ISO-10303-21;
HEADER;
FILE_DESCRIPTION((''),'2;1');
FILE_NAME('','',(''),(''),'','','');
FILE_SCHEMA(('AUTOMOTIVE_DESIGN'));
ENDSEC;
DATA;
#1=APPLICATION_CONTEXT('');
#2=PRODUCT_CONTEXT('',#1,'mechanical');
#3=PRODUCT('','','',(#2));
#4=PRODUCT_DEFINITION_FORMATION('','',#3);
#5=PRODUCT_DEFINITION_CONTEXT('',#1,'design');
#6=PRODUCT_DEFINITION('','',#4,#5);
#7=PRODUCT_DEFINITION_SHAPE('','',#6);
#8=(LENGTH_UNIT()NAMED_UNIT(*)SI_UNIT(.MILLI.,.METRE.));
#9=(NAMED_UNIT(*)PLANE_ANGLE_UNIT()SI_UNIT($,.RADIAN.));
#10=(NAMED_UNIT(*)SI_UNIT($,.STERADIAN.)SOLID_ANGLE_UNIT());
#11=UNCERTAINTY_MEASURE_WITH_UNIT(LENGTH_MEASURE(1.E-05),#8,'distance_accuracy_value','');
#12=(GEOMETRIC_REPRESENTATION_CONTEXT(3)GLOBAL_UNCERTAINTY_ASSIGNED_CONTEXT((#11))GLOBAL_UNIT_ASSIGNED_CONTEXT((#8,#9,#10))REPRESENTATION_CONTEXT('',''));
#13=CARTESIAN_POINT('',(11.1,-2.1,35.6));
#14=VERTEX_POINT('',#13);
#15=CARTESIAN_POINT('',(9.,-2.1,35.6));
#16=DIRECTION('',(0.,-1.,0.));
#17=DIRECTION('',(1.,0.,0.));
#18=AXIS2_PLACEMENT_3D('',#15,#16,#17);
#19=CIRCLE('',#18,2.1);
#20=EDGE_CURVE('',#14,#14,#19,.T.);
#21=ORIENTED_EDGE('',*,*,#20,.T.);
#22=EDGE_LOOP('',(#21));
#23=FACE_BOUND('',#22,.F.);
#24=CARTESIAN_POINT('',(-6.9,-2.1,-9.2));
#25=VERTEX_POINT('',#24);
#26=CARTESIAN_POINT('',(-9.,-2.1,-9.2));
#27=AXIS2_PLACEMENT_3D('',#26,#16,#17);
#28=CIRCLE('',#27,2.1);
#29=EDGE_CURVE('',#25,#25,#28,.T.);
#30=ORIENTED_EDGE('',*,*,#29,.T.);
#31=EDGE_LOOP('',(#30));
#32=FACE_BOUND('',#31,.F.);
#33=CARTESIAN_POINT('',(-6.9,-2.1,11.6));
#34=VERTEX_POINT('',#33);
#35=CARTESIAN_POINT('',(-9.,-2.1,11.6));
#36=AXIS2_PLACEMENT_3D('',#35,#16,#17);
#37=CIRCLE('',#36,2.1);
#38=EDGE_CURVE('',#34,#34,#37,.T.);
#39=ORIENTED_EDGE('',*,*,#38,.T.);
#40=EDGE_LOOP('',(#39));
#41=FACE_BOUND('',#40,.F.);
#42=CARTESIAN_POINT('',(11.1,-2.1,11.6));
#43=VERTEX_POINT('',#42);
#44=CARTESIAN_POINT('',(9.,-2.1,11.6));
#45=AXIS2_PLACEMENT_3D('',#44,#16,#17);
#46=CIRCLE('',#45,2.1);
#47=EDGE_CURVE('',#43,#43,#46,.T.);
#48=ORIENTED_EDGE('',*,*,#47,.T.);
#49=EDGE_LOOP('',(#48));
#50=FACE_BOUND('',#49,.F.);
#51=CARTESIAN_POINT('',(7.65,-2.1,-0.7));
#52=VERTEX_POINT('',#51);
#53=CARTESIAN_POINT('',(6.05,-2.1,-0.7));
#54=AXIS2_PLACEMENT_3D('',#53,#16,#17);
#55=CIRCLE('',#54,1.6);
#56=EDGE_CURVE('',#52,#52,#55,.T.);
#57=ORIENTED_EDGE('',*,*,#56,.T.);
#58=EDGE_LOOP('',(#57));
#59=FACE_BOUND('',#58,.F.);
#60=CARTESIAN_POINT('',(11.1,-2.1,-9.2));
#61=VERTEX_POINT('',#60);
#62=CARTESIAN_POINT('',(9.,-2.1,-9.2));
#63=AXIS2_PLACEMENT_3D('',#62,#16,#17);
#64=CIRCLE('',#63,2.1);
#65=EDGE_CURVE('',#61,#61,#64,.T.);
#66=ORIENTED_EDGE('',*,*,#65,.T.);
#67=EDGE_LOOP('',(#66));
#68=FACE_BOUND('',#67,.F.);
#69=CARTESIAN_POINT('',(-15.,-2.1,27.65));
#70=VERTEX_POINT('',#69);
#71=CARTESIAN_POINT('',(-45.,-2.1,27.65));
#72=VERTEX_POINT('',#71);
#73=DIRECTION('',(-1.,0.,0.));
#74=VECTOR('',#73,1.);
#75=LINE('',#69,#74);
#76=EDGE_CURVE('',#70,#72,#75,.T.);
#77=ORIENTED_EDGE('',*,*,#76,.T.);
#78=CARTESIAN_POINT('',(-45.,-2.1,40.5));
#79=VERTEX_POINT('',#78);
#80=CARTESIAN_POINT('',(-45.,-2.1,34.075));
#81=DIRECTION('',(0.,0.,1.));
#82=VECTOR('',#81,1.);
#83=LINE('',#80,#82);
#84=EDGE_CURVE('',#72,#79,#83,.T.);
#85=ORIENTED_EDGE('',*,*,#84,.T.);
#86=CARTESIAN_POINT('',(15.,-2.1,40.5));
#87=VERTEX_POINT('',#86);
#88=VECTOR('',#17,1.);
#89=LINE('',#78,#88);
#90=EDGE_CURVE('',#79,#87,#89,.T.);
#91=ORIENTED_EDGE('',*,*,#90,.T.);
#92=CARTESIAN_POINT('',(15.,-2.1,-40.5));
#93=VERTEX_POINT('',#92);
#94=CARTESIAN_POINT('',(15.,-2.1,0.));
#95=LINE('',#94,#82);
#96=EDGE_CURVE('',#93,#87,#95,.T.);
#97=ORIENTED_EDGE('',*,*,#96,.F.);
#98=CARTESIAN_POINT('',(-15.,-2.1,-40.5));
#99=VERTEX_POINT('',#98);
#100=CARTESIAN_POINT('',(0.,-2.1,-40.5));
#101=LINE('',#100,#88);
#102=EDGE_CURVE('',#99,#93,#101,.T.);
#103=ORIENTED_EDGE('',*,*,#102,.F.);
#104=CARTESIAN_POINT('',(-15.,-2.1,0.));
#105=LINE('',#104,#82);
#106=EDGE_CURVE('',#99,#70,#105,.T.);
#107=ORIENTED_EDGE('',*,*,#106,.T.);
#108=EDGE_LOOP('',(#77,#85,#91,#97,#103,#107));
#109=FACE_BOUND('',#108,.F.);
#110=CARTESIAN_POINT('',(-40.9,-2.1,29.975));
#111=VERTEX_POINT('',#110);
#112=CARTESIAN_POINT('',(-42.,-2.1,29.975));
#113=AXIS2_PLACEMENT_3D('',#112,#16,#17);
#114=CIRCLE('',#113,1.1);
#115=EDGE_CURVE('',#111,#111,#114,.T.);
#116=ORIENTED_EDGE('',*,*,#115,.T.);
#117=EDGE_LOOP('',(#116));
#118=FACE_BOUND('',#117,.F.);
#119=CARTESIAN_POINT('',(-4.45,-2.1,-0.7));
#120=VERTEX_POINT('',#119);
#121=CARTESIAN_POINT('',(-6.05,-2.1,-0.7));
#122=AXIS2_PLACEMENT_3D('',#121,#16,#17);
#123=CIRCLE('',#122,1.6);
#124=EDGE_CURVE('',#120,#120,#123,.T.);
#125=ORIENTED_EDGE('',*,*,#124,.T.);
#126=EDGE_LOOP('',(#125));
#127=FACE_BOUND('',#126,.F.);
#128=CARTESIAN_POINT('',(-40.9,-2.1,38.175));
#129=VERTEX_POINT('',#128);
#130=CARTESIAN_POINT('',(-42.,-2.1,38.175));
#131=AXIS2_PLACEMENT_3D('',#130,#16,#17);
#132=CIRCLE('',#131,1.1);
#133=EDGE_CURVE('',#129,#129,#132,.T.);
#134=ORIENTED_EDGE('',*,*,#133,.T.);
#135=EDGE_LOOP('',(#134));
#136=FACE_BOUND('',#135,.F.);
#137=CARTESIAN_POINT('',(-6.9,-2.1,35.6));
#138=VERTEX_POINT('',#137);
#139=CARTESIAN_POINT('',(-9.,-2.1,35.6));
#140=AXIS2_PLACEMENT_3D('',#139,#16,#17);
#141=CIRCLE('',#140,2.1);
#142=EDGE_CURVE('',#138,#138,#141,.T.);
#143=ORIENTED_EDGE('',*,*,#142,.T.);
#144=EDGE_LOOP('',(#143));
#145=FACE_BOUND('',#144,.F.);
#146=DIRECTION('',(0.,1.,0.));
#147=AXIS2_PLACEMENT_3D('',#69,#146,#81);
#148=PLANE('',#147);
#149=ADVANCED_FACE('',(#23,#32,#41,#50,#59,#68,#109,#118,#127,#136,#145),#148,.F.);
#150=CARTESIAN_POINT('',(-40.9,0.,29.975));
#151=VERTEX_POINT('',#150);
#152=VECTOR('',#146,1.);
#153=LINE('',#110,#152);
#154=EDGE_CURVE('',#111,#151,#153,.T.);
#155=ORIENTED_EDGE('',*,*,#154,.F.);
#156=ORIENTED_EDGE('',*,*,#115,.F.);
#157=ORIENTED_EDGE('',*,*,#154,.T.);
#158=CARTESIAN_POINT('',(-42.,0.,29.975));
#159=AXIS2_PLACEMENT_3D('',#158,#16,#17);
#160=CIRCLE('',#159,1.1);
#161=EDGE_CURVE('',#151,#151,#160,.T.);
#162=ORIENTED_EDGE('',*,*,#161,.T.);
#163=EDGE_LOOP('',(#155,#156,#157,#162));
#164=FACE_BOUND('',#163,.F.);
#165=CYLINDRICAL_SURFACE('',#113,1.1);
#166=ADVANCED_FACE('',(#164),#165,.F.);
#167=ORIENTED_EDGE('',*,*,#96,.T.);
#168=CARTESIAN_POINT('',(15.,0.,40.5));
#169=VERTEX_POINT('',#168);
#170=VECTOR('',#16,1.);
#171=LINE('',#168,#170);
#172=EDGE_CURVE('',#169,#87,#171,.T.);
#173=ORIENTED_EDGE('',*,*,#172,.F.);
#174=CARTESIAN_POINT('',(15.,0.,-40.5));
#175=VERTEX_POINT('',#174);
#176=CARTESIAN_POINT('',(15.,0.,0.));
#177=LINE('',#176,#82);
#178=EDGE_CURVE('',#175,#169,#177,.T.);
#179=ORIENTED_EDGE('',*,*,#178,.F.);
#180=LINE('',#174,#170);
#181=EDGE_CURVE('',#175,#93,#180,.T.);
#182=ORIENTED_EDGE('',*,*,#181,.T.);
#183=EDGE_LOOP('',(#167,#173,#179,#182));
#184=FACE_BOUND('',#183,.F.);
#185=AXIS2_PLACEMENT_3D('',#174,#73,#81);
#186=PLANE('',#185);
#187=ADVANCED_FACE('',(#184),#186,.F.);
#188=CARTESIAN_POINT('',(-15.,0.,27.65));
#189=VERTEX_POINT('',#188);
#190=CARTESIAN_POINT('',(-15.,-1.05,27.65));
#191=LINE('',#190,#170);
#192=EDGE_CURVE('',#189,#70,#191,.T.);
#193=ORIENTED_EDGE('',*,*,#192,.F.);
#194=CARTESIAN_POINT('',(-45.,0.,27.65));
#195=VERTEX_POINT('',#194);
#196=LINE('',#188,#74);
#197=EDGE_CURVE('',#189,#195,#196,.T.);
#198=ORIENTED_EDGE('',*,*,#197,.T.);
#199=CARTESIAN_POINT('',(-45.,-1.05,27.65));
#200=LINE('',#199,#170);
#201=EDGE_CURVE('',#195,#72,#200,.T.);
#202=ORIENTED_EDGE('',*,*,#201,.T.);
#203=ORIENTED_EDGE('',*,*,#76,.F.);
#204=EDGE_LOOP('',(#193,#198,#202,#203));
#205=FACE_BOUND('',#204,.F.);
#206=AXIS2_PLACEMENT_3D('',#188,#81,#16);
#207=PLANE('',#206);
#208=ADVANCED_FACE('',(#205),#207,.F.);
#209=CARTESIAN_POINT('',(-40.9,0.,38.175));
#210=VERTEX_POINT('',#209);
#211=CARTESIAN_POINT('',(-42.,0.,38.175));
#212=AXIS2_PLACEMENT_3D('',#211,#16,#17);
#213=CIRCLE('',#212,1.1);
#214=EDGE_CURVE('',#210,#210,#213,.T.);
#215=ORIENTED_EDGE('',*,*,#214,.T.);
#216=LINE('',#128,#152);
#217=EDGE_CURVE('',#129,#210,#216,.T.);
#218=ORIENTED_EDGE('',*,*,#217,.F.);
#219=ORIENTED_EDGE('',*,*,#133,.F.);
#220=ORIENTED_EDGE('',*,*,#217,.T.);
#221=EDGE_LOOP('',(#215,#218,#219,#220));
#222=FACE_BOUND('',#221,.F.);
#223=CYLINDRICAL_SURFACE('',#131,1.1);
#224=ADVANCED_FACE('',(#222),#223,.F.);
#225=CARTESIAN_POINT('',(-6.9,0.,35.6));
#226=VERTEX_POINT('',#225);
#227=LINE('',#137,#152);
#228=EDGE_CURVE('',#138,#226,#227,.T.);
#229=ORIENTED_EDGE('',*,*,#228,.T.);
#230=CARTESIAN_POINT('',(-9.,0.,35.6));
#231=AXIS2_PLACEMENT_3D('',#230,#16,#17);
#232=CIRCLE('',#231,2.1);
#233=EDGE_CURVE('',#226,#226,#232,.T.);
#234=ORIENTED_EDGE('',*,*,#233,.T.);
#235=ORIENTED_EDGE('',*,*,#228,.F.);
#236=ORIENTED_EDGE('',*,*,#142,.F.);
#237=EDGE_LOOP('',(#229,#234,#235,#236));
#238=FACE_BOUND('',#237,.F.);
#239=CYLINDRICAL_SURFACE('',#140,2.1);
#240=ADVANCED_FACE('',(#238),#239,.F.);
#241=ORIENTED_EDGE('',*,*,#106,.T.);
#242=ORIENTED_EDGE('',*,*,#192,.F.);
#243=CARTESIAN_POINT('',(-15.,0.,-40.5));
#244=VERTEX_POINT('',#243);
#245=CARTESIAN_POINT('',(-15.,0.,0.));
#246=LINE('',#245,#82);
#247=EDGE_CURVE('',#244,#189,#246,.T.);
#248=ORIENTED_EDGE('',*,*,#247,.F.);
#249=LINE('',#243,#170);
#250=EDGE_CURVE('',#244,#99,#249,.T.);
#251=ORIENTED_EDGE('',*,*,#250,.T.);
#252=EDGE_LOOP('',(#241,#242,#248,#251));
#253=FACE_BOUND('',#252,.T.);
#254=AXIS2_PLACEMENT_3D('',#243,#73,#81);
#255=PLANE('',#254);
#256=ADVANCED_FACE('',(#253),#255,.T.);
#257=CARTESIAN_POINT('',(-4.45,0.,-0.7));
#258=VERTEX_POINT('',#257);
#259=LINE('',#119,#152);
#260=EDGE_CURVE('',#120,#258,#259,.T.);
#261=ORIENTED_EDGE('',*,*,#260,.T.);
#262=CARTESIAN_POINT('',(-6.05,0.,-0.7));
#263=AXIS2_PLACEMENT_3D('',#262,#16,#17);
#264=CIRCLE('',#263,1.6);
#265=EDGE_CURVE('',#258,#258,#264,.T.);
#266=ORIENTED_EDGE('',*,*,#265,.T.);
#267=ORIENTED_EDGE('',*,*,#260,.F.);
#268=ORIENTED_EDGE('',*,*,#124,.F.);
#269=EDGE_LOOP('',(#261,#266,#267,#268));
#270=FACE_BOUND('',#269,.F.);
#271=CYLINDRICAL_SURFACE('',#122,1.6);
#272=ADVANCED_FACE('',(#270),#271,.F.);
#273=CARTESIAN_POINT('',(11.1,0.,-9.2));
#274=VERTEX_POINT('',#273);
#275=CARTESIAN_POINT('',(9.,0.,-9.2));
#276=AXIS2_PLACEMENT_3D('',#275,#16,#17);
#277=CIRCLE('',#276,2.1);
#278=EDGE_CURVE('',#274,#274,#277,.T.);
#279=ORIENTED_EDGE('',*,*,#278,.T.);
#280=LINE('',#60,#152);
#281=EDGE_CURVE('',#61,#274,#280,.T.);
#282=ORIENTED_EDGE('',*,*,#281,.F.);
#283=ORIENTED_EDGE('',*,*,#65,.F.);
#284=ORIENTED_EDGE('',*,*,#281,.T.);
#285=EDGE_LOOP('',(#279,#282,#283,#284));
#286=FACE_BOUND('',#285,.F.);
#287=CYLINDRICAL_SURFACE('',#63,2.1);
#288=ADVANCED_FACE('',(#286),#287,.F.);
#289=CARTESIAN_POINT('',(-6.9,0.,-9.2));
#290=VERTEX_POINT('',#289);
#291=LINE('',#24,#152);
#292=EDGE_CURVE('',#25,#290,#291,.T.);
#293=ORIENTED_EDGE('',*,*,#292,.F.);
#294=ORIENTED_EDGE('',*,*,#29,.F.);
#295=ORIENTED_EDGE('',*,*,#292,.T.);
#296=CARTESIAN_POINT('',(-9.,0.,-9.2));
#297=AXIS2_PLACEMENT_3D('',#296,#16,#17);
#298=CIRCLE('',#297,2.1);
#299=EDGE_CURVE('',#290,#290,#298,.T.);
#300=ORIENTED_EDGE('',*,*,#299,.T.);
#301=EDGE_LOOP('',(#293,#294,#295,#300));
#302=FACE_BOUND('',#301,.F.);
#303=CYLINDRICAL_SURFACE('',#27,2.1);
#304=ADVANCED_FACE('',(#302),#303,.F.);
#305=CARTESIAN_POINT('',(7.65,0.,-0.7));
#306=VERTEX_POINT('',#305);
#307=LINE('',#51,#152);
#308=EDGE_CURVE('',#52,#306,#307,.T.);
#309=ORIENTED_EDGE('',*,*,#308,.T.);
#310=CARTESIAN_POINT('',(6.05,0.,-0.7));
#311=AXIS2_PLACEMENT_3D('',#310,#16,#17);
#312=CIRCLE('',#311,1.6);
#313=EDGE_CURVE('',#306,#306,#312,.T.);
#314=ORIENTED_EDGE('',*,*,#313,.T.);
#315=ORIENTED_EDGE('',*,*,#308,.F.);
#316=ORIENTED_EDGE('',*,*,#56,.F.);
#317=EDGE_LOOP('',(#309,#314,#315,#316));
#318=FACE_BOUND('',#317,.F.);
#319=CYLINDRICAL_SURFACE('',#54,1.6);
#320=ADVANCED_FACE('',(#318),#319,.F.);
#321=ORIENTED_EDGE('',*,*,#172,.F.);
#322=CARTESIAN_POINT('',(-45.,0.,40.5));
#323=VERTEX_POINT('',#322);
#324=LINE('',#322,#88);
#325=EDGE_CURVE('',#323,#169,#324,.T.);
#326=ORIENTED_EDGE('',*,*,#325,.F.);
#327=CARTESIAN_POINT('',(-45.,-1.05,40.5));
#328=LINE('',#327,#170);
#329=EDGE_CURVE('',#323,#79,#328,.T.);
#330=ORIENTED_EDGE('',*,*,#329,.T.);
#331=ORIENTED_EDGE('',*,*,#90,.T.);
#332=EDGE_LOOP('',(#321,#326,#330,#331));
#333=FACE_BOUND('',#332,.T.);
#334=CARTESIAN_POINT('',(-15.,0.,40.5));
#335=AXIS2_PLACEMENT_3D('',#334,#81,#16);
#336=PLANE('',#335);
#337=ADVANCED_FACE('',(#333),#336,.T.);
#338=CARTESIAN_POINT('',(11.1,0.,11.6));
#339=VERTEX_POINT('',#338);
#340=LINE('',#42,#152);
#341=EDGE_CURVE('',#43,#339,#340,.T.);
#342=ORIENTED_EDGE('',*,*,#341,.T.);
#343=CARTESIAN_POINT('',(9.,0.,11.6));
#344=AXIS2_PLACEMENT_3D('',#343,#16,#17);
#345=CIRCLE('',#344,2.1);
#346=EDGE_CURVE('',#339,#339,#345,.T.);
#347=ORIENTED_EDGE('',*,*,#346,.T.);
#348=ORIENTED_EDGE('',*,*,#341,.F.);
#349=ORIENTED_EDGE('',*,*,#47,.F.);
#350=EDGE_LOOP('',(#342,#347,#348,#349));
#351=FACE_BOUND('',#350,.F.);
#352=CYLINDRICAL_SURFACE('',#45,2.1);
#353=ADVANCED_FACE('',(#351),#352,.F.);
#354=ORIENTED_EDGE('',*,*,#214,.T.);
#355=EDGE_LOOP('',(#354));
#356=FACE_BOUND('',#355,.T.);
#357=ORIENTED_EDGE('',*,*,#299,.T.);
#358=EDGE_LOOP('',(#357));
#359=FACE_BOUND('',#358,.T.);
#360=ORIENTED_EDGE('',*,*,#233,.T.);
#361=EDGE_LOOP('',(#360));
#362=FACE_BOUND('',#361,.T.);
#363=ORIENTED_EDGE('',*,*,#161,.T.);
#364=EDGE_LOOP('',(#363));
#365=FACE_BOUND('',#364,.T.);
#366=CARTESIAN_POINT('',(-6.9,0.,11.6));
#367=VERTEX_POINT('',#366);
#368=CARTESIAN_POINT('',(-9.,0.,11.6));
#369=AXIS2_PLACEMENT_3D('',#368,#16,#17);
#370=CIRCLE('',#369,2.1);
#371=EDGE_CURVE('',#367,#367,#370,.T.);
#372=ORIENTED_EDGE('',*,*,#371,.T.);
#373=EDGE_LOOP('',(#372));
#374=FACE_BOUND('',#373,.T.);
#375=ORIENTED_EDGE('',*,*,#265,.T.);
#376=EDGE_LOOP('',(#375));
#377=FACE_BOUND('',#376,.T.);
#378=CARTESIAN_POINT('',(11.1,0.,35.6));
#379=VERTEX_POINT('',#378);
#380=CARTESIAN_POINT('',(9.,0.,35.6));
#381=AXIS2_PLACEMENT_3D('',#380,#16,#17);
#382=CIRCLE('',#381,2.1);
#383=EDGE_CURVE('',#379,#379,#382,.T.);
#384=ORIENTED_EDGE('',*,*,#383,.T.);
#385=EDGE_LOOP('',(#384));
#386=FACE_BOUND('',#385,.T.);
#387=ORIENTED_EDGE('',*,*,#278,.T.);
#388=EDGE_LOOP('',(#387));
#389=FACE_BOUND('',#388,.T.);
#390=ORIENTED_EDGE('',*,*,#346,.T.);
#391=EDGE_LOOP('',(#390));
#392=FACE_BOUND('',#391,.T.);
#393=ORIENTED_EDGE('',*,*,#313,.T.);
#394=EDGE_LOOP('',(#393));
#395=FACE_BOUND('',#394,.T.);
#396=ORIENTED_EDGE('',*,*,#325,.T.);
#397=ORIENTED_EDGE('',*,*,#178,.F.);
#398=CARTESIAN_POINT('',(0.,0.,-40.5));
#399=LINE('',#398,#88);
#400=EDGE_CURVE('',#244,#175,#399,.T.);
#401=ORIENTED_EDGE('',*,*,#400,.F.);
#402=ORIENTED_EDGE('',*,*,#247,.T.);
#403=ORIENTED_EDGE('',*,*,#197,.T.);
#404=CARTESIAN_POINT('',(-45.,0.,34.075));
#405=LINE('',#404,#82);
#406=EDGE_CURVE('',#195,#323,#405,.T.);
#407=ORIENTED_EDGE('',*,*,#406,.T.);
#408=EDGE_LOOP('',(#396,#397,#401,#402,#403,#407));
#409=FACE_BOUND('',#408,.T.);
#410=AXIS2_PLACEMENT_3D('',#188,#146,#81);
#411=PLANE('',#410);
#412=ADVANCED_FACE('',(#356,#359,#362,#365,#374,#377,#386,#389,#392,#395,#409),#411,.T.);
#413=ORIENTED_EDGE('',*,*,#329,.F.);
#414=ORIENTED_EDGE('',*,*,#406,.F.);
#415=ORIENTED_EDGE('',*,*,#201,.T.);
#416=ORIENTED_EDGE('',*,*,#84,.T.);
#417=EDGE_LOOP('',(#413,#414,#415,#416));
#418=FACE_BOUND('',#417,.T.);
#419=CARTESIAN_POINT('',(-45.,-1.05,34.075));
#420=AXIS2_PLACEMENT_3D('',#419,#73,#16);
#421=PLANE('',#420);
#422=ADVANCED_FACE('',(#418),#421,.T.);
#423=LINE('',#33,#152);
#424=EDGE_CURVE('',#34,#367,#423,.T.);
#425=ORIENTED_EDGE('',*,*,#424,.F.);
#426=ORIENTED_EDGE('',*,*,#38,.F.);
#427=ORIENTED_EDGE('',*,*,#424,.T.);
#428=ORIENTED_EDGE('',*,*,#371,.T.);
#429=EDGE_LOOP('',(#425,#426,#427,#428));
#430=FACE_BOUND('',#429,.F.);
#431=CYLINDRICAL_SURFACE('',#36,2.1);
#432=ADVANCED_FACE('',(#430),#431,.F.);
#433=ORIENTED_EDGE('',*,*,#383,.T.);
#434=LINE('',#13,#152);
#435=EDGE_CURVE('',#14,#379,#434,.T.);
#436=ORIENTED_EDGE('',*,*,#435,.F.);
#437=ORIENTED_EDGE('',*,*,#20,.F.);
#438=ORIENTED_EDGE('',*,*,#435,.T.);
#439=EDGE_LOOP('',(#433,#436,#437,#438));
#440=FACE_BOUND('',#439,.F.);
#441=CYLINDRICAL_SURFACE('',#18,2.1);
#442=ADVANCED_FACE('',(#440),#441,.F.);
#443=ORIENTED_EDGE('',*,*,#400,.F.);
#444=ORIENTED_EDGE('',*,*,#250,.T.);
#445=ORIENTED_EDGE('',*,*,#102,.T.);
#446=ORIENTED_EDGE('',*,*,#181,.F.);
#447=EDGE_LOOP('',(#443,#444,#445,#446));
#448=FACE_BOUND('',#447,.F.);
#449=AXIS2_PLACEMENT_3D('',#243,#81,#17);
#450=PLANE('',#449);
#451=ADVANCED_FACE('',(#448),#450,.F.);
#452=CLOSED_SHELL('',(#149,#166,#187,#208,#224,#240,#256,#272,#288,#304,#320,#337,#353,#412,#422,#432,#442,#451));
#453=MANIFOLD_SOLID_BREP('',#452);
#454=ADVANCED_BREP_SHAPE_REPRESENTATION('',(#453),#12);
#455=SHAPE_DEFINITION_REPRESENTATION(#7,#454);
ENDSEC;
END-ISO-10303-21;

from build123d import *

# Parameters (mm, degrees)
F0_W     = 30
F0_H     = 81
F1_DEPTH = 2.1
F2_R     = 2.1
F2_R_2   = 1.6
F3_DEPTH = 2.101
F4_W     = 2.1
F4_H     = 12.85
F5_DEPTH = 30
F6_R     = 1.1
F7_DEPTH = 25


with BuildPart() as f1:
    # F0 (on Front) → F1 (new body)
    with BuildSketch(Plane.XZ):
        Rectangle(F0_W, F0_H)
    extrude(amount=F1_DEPTH)

    # F2 (on face) → F3 (cut, through all)
    with BuildSketch(Plane.XZ.offset(2.1)):
        with Locations((9, 35.6)):
            Circle(F2_R)
        with Locations((9, 11.6)):
            Circle(F2_R)
        with Locations((-9, 35.6)):
            Circle(F2_R)
        with Locations((-9, 11.6)):
            Circle(F2_R)
        with Locations((9, -9.2)):
            Circle(F2_R)
        with Locations((-9, -9.2)):
            Circle(F2_R)
        with Locations((6.05, -0.7)):
            Circle(F2_R_2)
        with Locations((-6.05, -0.7)):
            Circle(F2_R_2)
    extrude(amount=-F3_DEPTH, mode=Mode.SUBTRACT)

    # F4 (on face) → F5 (join)
    with BuildSketch(Plane(origin=(-15, 0, 0), x_dir=(0, -1, 0), z_dir=(-1, 0, 0))):
        with Locations((1.05, 34.075)):
            Rectangle(F4_W, F4_H)
    extrude(amount=F5_DEPTH)

    # F6 (on face) → F7 (cut)
    with BuildSketch(Plane.XZ.offset(2.1)):
        with Locations((-42, 38.175)):
            Circle(F6_R)
        with Locations((-42, 29.975)):
            Circle(F6_R)
    extrude(amount=-F7_DEPTH, mode=Mode.SUBTRACT)


solid = f1.part
